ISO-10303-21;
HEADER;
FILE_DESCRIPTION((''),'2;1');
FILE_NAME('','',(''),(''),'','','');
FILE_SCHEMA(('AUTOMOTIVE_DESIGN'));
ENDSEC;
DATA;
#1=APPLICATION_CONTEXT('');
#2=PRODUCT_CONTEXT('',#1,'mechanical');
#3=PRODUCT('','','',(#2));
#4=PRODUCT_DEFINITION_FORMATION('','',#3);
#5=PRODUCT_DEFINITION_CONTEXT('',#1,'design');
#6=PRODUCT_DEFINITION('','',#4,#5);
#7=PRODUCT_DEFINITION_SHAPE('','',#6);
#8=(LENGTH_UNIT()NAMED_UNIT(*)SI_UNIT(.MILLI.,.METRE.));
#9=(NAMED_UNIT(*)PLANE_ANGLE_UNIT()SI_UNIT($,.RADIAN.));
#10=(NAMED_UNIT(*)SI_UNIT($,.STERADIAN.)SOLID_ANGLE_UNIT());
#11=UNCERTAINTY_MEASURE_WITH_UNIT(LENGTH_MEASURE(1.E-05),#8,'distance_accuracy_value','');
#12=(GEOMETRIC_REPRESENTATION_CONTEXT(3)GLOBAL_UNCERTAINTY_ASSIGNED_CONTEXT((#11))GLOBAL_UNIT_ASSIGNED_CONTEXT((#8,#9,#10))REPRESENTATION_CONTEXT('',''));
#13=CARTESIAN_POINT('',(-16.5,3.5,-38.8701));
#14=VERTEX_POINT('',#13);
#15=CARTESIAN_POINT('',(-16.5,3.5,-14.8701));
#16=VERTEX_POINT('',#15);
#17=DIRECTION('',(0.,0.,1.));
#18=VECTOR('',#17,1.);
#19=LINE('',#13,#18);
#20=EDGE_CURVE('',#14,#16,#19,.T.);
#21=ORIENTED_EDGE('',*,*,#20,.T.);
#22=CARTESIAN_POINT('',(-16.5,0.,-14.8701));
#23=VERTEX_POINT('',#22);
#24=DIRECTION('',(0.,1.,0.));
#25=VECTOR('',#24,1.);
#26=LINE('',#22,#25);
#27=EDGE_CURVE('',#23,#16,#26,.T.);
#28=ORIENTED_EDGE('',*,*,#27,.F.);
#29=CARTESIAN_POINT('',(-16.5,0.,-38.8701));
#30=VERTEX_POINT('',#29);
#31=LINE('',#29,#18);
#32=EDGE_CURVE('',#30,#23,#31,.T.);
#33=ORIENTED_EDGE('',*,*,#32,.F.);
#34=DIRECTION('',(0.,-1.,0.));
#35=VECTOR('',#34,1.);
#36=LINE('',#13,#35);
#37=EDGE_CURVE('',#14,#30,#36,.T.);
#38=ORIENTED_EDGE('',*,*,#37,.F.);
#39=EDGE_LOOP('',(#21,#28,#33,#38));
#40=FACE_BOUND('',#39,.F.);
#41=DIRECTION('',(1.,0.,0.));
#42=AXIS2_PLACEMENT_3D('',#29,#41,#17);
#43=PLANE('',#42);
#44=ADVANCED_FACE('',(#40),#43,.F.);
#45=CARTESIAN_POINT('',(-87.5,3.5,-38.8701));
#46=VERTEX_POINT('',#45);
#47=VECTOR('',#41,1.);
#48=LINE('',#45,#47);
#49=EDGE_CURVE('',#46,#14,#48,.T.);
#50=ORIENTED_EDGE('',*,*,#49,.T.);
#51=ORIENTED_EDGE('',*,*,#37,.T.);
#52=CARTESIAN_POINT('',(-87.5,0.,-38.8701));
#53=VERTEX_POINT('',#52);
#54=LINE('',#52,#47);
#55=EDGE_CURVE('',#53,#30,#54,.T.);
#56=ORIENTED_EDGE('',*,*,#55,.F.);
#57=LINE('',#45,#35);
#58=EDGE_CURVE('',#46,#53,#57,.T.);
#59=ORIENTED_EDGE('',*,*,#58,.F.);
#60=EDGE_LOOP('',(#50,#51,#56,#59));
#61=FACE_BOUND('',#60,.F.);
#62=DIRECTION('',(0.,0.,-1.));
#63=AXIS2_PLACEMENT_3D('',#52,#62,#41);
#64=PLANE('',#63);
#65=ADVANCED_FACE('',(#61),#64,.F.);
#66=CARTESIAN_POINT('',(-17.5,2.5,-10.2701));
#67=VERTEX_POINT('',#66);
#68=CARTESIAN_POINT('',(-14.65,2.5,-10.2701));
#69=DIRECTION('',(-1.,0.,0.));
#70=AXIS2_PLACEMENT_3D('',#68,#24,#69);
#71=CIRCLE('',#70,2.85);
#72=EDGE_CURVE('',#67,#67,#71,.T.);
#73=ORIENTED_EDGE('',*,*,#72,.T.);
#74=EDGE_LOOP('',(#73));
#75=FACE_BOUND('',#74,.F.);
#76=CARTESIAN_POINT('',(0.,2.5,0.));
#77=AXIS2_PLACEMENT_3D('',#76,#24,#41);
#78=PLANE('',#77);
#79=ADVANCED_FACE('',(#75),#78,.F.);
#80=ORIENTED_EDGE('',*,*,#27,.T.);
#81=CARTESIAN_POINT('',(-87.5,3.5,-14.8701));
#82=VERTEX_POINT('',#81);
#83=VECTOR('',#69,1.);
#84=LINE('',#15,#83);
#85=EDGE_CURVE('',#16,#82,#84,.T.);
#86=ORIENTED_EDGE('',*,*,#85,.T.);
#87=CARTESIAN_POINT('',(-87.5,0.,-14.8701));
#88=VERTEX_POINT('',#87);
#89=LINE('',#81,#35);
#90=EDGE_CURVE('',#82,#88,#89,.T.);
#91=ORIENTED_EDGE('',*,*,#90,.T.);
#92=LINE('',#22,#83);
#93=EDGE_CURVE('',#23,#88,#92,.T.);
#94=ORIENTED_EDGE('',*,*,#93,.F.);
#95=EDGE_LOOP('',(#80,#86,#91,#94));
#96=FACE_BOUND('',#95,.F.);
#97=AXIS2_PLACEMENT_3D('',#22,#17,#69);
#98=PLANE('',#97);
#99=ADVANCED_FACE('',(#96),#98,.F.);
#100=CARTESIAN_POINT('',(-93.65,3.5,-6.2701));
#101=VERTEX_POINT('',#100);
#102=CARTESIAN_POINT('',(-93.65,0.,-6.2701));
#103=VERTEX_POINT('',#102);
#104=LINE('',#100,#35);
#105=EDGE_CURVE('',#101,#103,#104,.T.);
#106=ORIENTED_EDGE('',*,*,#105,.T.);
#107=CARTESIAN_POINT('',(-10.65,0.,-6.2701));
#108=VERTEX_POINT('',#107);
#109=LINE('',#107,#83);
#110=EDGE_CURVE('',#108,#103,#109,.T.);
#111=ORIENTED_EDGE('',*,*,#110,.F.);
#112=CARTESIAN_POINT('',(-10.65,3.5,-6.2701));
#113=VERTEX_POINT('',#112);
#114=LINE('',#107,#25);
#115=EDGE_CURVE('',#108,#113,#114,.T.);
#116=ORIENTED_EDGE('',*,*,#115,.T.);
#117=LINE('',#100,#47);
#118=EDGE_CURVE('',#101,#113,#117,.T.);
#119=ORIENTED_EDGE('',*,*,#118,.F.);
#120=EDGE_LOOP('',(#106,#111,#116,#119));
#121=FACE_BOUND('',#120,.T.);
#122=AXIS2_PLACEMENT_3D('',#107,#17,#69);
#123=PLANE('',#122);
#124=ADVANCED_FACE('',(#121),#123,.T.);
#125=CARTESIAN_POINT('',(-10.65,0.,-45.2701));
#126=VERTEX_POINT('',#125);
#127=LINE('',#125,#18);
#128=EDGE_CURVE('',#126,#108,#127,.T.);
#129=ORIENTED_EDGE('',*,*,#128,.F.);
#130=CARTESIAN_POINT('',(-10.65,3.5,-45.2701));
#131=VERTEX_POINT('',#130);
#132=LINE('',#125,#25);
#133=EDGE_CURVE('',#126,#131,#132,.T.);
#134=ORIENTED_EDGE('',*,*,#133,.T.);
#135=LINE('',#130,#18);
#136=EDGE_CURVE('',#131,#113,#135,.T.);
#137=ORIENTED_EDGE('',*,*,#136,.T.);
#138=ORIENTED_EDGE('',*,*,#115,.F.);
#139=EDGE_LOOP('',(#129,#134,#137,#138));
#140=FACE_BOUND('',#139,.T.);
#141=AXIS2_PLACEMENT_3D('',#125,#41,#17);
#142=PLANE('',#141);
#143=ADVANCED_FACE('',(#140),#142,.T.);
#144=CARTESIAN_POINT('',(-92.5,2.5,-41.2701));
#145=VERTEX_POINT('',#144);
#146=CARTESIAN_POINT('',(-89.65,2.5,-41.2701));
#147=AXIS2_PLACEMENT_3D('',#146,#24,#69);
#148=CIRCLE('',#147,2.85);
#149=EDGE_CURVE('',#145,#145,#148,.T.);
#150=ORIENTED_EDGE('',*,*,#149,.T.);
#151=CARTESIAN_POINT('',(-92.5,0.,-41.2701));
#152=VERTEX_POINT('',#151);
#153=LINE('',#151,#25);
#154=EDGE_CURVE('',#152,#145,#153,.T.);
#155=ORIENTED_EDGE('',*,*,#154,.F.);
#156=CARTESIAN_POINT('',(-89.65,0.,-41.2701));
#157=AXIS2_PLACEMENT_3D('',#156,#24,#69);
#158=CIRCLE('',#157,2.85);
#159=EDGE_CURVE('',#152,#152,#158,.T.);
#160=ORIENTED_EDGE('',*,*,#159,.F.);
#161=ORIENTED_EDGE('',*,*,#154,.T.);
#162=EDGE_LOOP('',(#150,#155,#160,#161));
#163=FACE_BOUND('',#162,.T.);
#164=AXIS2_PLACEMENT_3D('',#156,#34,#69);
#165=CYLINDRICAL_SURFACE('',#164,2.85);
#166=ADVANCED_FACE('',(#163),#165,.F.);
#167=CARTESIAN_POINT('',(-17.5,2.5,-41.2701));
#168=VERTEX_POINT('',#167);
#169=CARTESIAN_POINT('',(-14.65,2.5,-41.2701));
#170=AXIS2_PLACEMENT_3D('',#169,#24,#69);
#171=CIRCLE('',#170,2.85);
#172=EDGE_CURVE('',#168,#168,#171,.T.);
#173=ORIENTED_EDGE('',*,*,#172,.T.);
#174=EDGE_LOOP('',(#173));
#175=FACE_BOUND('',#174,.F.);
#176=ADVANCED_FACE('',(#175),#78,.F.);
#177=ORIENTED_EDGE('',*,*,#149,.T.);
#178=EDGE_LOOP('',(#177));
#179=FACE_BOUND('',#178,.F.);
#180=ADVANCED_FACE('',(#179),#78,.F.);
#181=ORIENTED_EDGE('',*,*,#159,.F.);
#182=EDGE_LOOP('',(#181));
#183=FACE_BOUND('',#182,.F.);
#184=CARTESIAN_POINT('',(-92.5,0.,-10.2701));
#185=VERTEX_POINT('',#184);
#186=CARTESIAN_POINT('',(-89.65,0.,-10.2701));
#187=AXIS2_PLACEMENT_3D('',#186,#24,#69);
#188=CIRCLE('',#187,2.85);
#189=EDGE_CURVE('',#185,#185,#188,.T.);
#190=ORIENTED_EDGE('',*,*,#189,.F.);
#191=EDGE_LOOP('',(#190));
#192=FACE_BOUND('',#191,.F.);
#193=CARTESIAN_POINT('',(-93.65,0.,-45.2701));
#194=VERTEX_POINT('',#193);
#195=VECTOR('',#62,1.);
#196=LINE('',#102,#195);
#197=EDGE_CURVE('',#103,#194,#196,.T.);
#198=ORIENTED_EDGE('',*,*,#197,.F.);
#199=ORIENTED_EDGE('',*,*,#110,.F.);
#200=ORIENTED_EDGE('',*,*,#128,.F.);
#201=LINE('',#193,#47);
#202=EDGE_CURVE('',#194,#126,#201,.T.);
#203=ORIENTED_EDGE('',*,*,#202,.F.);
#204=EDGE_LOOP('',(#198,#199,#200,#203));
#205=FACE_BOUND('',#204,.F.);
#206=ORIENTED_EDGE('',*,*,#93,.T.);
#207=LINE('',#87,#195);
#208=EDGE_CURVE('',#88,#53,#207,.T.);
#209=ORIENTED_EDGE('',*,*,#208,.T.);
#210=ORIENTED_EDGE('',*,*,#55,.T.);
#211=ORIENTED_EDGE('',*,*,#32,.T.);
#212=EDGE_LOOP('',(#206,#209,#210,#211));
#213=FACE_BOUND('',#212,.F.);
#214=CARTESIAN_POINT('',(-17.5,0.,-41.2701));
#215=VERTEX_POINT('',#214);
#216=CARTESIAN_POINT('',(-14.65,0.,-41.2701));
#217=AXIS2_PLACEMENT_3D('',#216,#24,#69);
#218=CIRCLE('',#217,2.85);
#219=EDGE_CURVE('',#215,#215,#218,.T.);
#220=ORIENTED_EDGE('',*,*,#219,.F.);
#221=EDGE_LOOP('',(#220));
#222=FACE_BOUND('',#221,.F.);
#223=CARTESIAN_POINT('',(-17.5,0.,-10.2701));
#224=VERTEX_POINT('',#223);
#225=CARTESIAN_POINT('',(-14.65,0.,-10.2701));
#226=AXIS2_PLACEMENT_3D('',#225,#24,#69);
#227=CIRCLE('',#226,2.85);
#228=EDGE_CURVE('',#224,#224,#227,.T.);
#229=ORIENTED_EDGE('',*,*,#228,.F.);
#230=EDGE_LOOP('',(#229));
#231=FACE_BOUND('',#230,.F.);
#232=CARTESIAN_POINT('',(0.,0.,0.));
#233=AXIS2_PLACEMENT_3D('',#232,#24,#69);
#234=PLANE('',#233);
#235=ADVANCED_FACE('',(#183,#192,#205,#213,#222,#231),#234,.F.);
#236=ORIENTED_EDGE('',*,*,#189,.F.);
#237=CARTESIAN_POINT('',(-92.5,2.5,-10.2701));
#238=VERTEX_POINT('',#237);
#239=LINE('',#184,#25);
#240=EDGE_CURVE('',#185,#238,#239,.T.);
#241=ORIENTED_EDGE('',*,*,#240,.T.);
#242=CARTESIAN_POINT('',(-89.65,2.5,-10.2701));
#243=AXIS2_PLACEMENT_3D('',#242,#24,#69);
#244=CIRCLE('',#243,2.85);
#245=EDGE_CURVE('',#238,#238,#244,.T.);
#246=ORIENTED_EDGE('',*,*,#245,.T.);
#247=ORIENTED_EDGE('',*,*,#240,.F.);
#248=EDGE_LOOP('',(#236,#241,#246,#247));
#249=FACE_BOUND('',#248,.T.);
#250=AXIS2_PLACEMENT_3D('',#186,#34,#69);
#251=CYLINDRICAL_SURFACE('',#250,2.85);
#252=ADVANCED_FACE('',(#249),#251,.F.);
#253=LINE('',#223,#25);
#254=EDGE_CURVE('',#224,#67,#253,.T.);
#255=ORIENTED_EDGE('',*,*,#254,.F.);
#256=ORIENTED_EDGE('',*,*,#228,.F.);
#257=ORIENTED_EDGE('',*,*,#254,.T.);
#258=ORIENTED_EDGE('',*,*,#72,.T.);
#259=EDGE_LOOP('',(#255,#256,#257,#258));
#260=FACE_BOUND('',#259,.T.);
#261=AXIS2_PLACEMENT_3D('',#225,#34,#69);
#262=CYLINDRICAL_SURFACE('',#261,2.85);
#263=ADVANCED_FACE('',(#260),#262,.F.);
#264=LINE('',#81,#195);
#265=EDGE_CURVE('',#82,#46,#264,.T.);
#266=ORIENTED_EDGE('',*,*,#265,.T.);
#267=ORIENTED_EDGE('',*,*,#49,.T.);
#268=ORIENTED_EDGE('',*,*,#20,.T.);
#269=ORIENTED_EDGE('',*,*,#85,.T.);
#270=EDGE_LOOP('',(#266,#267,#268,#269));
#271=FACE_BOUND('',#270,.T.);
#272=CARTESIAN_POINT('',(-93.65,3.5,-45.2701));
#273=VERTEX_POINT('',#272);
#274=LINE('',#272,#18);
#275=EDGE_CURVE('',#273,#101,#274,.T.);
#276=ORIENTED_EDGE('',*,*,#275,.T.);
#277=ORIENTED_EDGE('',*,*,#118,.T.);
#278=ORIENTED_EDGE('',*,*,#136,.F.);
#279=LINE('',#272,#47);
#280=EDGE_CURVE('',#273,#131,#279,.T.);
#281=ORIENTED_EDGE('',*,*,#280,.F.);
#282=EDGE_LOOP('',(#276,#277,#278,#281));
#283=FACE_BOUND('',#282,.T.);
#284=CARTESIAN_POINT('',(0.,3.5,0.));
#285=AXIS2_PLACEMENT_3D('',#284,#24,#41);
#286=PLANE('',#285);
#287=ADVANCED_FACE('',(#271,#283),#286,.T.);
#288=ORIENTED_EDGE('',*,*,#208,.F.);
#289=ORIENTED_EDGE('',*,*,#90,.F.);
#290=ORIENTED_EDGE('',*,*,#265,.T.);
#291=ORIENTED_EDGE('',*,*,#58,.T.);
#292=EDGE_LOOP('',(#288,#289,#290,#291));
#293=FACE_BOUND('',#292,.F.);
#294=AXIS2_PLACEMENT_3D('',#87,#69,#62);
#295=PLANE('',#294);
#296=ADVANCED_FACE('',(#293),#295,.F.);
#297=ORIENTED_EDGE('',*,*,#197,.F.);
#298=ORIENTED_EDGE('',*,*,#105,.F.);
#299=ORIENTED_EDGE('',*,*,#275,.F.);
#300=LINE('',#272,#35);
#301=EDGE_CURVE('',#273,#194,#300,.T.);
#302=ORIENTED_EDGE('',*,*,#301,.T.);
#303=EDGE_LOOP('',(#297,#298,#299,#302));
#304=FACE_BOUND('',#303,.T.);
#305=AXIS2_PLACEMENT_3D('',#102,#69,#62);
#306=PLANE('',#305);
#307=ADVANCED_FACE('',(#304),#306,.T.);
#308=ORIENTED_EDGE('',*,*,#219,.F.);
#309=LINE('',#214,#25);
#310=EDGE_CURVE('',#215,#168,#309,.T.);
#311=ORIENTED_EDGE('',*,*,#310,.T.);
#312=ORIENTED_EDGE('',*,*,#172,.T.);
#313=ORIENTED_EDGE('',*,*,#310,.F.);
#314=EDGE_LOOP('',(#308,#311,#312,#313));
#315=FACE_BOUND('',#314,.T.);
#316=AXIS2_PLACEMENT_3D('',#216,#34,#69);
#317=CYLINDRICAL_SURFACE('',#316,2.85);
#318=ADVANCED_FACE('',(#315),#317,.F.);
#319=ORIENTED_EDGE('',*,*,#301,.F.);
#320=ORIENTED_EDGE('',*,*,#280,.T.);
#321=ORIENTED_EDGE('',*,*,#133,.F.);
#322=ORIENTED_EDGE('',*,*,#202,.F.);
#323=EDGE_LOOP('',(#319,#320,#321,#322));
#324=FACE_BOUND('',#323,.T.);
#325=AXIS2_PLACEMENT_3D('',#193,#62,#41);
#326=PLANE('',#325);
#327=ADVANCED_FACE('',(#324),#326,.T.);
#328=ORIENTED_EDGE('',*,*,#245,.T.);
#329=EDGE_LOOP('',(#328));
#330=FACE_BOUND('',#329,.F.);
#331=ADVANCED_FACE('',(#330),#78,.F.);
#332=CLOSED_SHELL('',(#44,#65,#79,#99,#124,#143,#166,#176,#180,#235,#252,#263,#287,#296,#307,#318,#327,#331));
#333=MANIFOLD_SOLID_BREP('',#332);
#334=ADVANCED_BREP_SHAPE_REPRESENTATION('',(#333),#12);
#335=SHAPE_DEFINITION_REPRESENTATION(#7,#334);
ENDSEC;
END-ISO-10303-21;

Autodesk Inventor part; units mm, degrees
ref_plane "YZ Plane" through (0, 0, 0) normal (1, 0, 0) x (0, 1, 0)
ref_plane "XZ Plane" through (0, 0, 0) normal (0, 1, 0) x (-1, 0, 0)
ref_plane "XY Plane" through (0, 0, 0) normal (0, 0, 1) x (1, 0, 0)
sketch "Esboço1" plane through (0, 0, 0) normal (0, 1, 0) x (-1, 0, 0)
  circle A0 centre (89.65, -41.2701) radius 1.5
  circle A1 centre (89.65, -10.2701) radius 1.5
  circle A2 centre (14.65, -10.2701) radius 1.5
  circle A3 centre (14.65, -41.2701) radius 1.5
  line L0 (14.65, -10.2701) -> (10.65, -10.2701) construction
  line L1 (10.65, -10.2701) -> (10.65, -6.2701) construction
  line L2 (10.65, -6.2701) -> (93.65, -6.2701)
  line L3 (93.65, -6.2701) -> (93.65, -45.2701)
  line L4 (93.65, -45.2701) -> (10.65, -45.2701)
  line L5 (10.65, -45.2701) -> (10.65, -6.2701)
  line L6 (87.5, -38.8701) -> (87.5, -14.8701) construction
  line L7 (87.5, -14.8701) -> (16.5, -14.8701) construction
  line L8 (16.5, -14.8701) -> (16.5, -38.8701) construction
  line L9 (16.5, -38.8701) -> (87.5, -38.8701) construction
  line L10 (87.5, -14.8701) -> (88.5, -14.8701) construction
  line L11 (88.5, -14.8701) -> (88.5, -13.8701) construction
  line L12 (88.5, -13.8701) -> (87.5, -13.8701) construction
  line L13 (87.5, -13.8701) -> (87.5, -14.8701) construction
  circle A4 centre (14.65, -10.2701) radius 2.85
  circle A5 centre (14.65, -41.2701) radius 2.85
  circle A6 centre (89.65, -41.2701) radius 2.85
  circle A7 centre (89.65, -10.2701) radius 2.85
  line L14 (16.5, -14.8701) -> (87.5, -14.8701)
  line L15 (87.5, -14.8701) -> (87.5, -38.8701)
  line L16 (87.5, -38.8701) -> (16.5, -38.8701)
  line L17 (16.5, -38.8701) -> (16.5, -14.8701)
  point P0 (0, 0)
  dimension "d0" = 4
  dimension "d1" = 4
  dimension "d2" = 4
  dimension "d3" = 4
  dimension "d4" = 4
  dimension "d5" = 4
  dimension "d6" = 4
  dimension "d7" = 4
  dimension "d8" = 1
  dimension "d9" = 1
  dimension "d10" = 5.7
  dimension "d11" = 5.7
  dimension "d12" = 5.7
  dimension "d13" = 5.7
extrude "Extrusão1" add sketch "Esboço1" along normal blind 2.5 contours L2 L3 L4 L5
sketch "Esboço2" plane through (0, 2.5, 0) normal (0, 1, 0) x (1, 0, 0)
  line L0 (-93.65, 6.2701) -> (-10.65, 6.2701) projected
  line L1 (-93.65, 45.2701) -> (-93.65, 6.2701) projected
  line L2 (-10.65, 6.2701) -> (-93.65, 6.2701)
  line L3 (-93.65, 6.2701) -> (-93.65, 45.2701)
  line L4 (-93.65, 45.2701) -> (-10.65, 45.2701)
  line L5 (-10.65, 45.2701) -> (-10.65, 6.2701)
  line L6 (-87.5, 14.8701) -> (-87.5, 38.8701) projected
  line L7 (-16.5, 14.8701) -> (-87.5, 14.8701) projected
  line L8 (-87.5, 38.8701) -> (-16.5, 38.8701)
  line L9 (-16.5, 38.8701) -> (-16.5, 14.8701)
  line L10 (-16.5, 14.8701) -> (-87.5, 14.8701)
  line L11 (-87.5, 14.8701) -> (-87.5, 38.8701)
  point P0 (0, 0)
extrude "Extrusão2" add sketch "Esboço2" along normal blind 1
properties part number "painel lcd"
